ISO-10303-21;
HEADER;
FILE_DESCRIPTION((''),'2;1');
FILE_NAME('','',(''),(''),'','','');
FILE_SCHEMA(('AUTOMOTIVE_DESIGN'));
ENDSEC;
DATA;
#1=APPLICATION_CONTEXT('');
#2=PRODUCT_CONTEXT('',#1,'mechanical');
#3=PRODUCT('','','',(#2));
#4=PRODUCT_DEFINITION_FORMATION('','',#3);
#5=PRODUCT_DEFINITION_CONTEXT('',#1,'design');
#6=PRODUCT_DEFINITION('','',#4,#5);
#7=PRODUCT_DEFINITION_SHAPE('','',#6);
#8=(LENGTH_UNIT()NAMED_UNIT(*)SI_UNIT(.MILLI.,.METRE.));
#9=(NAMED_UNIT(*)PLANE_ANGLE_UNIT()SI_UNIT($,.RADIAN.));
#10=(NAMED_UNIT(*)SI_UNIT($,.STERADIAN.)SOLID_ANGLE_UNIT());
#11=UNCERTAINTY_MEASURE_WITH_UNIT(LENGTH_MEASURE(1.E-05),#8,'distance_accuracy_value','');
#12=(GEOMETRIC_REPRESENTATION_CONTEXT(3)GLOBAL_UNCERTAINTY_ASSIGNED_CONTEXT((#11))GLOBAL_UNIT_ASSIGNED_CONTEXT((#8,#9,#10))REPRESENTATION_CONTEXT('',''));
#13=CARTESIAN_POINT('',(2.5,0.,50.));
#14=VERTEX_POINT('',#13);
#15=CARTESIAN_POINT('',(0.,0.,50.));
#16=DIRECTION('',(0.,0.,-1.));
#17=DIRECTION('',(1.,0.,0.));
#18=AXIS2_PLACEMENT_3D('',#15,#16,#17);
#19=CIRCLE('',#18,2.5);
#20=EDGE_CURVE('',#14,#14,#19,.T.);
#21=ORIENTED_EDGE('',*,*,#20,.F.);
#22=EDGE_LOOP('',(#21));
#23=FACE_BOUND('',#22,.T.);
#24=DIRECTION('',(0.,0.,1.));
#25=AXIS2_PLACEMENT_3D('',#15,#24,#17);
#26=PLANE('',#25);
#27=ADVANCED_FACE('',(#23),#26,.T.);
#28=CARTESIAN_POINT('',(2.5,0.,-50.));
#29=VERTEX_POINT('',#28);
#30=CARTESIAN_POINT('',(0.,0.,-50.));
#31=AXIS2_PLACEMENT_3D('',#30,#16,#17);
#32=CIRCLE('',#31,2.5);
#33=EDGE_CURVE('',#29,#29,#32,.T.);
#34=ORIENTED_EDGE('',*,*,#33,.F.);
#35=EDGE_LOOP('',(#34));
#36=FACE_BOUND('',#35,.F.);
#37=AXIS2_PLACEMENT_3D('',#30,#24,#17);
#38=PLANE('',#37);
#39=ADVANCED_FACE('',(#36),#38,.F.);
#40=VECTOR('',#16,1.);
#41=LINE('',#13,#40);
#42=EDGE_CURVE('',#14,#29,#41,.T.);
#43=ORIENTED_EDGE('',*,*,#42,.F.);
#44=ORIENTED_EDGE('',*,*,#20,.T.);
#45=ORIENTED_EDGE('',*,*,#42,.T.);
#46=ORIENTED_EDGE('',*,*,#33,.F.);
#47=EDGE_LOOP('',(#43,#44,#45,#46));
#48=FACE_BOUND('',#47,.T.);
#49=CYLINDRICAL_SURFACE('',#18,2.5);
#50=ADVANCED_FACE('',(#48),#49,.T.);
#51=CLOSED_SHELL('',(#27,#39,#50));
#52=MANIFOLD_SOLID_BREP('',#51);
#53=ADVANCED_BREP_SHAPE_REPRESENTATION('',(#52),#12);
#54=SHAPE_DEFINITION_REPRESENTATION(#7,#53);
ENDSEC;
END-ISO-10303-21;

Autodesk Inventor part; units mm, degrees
ref_plane "YZ Plane" through (0, 0, 0) normal (1, 0, 0) x (0, 1, 0)
ref_plane "XZ Plane" through (0, 0, 0) normal (0, 1, 0) x (-1, 0, 0)
sketch "Boceto1" plane through (0, 0, 0) normal (0, 1, 0) x (-1, 0, 0)
  line L0 (0, 50) -> (0, -50)
  point P0 (0, 0)
  point P1 (0, 0)
  dimension "d0" = 100
ref_plane "Plano de trabajo1" through (0, 0, 50) normal (0, 0, 1) x (1, 0, 0)
sketch "Boceto2" plane through (0, 0, 50) normal (0, 0, 1) x (1, 0, 0)
  circle A0 centre (0, 0) radius 2.5
  dimension "d2" = 5
sweep "Barrido1" add profiles "Boceto2" path "Boceto1"
properties part number "shocks_pin" material "Acero inoxidable"
